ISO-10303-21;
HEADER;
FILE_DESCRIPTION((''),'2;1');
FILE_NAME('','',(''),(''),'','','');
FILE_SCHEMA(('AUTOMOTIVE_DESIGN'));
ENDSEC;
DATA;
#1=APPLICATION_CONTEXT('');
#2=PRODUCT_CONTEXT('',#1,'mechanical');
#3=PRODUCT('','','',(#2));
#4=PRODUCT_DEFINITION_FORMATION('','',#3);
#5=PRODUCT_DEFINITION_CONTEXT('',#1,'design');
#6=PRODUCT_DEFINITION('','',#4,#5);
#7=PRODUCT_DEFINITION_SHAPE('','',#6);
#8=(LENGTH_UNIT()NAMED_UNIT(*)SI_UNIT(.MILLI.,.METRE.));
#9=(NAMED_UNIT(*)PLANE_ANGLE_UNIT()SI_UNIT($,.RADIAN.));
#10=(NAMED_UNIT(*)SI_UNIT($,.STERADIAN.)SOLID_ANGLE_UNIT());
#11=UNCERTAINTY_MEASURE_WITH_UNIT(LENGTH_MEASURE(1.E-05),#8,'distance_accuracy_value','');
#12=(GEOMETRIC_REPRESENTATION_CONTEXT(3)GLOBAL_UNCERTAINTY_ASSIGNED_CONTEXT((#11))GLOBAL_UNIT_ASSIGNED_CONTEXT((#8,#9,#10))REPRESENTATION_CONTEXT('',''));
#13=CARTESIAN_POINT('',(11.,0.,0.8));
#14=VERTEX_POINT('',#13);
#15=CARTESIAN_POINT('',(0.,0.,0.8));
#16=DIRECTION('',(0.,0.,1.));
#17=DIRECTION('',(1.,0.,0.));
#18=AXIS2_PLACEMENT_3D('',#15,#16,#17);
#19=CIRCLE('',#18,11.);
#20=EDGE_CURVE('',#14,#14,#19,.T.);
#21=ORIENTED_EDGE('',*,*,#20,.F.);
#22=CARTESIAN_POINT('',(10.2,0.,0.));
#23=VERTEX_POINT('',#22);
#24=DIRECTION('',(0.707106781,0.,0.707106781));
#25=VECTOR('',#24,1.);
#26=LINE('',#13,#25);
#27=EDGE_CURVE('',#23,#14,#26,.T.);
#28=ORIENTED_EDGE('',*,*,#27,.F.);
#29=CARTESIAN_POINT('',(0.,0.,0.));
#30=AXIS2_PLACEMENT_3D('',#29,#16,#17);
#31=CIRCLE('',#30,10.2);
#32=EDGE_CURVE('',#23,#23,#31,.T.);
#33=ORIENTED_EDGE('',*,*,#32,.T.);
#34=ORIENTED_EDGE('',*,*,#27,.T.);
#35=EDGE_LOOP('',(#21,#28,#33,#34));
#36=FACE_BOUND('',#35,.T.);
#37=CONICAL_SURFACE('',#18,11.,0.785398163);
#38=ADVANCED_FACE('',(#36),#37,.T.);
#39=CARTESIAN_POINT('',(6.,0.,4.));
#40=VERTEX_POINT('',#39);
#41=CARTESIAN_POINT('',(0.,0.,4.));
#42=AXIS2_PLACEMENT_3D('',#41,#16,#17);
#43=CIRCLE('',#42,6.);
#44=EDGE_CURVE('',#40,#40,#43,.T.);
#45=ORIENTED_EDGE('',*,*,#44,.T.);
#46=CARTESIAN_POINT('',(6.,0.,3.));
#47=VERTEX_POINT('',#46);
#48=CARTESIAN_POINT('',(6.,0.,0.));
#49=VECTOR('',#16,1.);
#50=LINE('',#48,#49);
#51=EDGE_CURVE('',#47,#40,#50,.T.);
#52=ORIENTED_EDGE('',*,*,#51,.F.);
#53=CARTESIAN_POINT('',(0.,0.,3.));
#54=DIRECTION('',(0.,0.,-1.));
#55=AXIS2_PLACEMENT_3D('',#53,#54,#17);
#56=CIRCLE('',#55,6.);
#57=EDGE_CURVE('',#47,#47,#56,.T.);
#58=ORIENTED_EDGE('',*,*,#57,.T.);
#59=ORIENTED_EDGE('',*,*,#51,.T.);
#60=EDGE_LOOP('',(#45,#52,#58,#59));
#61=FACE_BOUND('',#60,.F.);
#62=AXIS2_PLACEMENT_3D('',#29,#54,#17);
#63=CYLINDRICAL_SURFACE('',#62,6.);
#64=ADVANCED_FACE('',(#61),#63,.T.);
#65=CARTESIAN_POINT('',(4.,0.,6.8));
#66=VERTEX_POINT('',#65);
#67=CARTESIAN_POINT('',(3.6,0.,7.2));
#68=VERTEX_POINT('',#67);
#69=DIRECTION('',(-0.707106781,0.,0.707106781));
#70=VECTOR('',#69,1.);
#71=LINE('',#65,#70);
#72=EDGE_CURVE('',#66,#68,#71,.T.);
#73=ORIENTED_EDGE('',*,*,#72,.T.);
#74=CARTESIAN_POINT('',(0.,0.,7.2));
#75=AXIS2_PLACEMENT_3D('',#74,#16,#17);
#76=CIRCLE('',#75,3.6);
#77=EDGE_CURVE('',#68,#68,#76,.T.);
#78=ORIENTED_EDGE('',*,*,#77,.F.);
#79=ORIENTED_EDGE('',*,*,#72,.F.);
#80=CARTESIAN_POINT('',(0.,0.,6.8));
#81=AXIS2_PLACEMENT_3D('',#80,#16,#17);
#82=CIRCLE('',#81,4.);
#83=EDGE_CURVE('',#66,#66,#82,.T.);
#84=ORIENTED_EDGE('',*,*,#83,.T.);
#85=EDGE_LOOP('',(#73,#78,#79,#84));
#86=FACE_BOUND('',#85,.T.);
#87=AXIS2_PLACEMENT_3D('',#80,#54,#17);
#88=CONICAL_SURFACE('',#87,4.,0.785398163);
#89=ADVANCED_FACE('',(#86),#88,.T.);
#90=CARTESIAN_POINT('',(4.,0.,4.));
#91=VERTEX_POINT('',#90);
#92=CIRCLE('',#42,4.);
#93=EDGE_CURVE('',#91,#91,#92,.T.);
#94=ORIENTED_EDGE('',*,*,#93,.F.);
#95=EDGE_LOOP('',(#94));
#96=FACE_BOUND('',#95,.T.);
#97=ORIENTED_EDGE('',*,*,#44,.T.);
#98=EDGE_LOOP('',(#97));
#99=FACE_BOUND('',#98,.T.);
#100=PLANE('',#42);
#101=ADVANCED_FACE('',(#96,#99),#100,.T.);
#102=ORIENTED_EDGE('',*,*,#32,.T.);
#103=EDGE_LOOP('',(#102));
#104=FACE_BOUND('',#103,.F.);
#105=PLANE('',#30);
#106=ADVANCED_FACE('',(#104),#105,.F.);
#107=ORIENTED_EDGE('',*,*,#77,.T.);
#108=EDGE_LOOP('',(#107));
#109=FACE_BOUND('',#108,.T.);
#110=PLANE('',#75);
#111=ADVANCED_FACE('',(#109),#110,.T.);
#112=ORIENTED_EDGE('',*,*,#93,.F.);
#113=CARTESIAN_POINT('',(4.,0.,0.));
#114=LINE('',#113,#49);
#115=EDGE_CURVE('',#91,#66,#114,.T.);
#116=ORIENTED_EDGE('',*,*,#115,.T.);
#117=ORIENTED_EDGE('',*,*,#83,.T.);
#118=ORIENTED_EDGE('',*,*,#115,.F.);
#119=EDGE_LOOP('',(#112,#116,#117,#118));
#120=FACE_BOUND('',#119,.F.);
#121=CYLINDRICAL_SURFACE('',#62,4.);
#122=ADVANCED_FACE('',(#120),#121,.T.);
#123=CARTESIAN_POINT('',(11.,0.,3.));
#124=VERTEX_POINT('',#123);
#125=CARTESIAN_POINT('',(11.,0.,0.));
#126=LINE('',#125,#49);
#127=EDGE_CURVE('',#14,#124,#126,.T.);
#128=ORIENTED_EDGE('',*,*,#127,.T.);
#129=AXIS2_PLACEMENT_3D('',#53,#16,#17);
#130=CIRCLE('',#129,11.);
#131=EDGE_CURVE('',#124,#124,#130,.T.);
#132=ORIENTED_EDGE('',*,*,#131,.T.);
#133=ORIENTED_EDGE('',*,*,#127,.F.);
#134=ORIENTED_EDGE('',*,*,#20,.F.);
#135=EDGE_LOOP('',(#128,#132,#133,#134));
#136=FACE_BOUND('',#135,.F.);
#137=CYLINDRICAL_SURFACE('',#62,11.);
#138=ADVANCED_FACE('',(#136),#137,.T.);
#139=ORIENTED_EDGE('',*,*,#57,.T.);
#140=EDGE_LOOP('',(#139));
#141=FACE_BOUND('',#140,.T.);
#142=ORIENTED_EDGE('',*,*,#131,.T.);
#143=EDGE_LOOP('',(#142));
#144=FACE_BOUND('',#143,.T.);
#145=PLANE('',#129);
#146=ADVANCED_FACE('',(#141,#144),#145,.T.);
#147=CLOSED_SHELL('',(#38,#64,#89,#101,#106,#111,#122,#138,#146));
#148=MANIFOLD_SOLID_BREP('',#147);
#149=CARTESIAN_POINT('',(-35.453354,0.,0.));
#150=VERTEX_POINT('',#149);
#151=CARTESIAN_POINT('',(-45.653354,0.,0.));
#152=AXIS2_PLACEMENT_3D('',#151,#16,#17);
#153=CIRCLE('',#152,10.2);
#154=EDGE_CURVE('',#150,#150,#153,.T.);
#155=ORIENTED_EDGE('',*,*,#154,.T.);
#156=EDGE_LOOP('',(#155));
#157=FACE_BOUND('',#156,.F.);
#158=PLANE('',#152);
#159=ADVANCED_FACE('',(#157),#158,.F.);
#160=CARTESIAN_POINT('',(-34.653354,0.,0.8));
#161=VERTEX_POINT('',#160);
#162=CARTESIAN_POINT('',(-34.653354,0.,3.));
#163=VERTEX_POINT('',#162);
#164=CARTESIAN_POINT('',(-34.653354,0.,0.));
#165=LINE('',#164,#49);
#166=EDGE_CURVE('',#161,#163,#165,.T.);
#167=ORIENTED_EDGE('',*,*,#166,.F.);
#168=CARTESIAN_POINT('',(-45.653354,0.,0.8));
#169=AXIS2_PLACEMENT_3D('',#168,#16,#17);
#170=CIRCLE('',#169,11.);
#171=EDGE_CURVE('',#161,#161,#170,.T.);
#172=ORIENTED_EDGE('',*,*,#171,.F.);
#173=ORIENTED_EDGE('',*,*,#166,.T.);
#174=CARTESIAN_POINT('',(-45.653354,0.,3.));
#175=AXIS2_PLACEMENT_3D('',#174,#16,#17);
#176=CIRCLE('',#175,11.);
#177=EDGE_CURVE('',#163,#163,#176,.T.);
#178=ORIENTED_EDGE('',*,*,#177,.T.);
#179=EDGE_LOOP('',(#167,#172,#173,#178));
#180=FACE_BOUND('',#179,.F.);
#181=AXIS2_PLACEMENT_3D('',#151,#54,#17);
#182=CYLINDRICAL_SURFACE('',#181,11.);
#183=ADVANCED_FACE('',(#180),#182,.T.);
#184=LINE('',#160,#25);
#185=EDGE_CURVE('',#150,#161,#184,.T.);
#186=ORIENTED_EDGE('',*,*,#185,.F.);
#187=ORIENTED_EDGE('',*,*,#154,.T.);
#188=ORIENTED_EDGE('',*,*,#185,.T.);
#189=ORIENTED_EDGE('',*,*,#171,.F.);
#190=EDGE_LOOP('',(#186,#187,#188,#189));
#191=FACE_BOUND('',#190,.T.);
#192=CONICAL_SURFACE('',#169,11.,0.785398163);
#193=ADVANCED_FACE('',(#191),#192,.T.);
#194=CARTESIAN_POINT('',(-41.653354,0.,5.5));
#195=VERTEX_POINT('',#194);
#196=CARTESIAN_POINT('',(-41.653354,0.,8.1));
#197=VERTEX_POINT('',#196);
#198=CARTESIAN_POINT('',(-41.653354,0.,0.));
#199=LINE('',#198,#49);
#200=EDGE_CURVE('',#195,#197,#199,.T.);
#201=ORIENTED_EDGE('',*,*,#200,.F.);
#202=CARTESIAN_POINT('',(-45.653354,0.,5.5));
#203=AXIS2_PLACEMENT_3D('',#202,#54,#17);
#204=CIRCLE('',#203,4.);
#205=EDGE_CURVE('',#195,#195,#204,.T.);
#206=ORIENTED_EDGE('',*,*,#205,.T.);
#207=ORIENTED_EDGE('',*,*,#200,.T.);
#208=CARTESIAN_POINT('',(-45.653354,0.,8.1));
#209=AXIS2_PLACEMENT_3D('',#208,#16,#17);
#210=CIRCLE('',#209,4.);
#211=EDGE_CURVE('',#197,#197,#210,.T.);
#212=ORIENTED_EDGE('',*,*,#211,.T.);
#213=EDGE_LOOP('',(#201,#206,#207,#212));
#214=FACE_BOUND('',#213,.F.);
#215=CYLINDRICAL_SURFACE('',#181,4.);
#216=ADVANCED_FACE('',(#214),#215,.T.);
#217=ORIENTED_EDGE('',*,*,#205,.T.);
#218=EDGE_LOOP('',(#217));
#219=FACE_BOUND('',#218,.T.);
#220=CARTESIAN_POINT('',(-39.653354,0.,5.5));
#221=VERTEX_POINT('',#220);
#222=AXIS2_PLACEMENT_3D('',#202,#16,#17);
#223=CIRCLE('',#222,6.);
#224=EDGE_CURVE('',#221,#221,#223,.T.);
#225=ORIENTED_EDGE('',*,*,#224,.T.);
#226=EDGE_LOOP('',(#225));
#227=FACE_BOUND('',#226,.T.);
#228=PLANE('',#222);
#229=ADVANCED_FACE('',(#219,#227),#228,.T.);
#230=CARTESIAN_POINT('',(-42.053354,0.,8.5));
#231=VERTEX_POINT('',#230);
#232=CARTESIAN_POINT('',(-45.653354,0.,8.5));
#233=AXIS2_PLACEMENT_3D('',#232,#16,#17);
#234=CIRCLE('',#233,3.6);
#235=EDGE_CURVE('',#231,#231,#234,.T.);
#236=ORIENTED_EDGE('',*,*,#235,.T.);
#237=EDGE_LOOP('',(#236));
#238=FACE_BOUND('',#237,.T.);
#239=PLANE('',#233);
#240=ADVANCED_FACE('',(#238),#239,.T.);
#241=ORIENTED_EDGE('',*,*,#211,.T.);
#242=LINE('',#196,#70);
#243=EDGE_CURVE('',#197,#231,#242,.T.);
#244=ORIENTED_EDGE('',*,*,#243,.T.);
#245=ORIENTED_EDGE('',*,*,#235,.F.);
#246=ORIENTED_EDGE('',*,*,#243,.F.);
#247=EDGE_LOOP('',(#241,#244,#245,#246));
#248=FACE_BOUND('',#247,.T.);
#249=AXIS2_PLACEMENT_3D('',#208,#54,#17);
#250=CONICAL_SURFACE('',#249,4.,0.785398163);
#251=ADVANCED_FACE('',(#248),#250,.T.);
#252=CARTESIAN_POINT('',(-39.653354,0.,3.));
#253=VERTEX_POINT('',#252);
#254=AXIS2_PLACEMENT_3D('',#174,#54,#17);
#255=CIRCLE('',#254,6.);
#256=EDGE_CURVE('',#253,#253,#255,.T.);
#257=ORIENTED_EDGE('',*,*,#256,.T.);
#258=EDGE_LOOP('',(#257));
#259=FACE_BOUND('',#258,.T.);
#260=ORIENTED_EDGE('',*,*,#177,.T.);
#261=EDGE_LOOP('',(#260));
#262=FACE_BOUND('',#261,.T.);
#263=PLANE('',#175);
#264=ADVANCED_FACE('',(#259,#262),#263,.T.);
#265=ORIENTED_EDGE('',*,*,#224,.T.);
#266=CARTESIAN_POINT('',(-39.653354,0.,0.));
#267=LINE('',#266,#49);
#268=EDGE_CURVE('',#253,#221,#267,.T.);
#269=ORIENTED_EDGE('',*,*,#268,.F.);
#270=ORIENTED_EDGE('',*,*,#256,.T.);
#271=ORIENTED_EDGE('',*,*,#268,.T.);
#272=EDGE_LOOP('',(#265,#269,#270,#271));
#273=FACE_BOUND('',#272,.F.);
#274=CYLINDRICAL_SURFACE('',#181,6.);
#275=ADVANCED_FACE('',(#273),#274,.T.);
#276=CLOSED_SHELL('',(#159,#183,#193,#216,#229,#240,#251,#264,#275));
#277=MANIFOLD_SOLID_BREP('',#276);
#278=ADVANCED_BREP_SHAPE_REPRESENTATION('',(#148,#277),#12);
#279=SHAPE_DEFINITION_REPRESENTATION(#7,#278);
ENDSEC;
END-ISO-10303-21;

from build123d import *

# Parameters (mm, degrees)
F0_R      = 11
F0_R_2    = 6
F0_R_3    = 4
F1_DEPTH  = 3
F2_DEPTH  = 5.5
F3_DEPTH  = 8.5
F4_DEPTH  = 3
F5_DEPTH  = 4
F6_DEPTH  = 7.2
F7_SIZE   = 0.8
F7_2_SIZE = 0.8
F8_SIZE   = 0.4
F8_2_SIZE = 0.4


with BuildPart() as f1:
    # F0 (on Top) → F1 (new body)
    with BuildSketch(Plane.XY):
        with Locations((-45.653354, 0)):
            Circle(F0_R)
        with Locations((-45.653354, 0)):
            Circle(F0_R_2, mode=Mode.SUBTRACT)
        with Locations((-45.653354, 0)):
            Circle(F0_R_3)
        with Locations((-45.653354, 0)):
            Circle(F0_R_2)
        with Locations((-45.653354, 0)):
            Circle(F0_R_3, mode=Mode.SUBTRACT)
    extrude(amount=F1_DEPTH)

    # F0 (on Top) → F2 (join)
    with BuildSketch(Plane.XY):
        with Locations((-45.653354, 0)):
            Circle(F0_R_2)
        with Locations((-45.653354, 0)):
            Circle(F0_R_3, mode=Mode.SUBTRACT)
        with Locations((-45.653354, 0)):
            Circle(F0_R_3)
    extrude(amount=F2_DEPTH)

    # F0 (on Top) → F3 (join)
    with BuildSketch(Plane.XY):
        with Locations((-45.653354, 0)):
            Circle(F0_R_3)
    extrude(amount=F3_DEPTH)

    # F7
    f7_edges = [f1.edges().sort_by_distance(p)[0] for p in [
        (-56.653354, 0, 0),
    ]]
    chamfer(f7_edges, length=F7_SIZE)

    # F8
    f8_edges = [f1.edges().sort_by_distance(p)[0] for p in [
        (-49.653354, 0, 8.5),
    ]]
    chamfer(f8_edges, length=F8_SIZE)


with BuildPart() as f4:
    # F0 (on Top) → F4 (new body)
    with BuildSketch(Plane.XY):
        Circle(F0_R)
        Circle(F0_R_2, mode=Mode.SUBTRACT)
        Circle(F0_R_2)
        Circle(F0_R_3, mode=Mode.SUBTRACT)
        Circle(F0_R_3)
    extrude(amount=F4_DEPTH)

    # F0 (on Top) → F5 (join)
    with BuildSketch(Plane.XY):
        Circle(F0_R_3)
        Circle(F0_R_2)
        Circle(F0_R_3, mode=Mode.SUBTRACT)
    extrude(amount=F5_DEPTH)

    # F0 (on Top) → F6 (join)
    with BuildSketch(Plane.XY):
        Circle(F0_R_3)
    extrude(amount=F6_DEPTH)

    # F7#2
    f7_2_edges = [f4.edges().sort_by_distance(p)[0] for p in [
        (-11, 0, 0),
    ]]
    chamfer(f7_2_edges, length=F7_2_SIZE)

    # F8#2
    f8_2_edges = [f4.edges().sort_by_distance(p)[0] for p in [
        (-4, 0, 7.2),
    ]]
    chamfer(f8_2_edges, length=F8_2_SIZE)


solid = Compound([f1.part, f4.part])
